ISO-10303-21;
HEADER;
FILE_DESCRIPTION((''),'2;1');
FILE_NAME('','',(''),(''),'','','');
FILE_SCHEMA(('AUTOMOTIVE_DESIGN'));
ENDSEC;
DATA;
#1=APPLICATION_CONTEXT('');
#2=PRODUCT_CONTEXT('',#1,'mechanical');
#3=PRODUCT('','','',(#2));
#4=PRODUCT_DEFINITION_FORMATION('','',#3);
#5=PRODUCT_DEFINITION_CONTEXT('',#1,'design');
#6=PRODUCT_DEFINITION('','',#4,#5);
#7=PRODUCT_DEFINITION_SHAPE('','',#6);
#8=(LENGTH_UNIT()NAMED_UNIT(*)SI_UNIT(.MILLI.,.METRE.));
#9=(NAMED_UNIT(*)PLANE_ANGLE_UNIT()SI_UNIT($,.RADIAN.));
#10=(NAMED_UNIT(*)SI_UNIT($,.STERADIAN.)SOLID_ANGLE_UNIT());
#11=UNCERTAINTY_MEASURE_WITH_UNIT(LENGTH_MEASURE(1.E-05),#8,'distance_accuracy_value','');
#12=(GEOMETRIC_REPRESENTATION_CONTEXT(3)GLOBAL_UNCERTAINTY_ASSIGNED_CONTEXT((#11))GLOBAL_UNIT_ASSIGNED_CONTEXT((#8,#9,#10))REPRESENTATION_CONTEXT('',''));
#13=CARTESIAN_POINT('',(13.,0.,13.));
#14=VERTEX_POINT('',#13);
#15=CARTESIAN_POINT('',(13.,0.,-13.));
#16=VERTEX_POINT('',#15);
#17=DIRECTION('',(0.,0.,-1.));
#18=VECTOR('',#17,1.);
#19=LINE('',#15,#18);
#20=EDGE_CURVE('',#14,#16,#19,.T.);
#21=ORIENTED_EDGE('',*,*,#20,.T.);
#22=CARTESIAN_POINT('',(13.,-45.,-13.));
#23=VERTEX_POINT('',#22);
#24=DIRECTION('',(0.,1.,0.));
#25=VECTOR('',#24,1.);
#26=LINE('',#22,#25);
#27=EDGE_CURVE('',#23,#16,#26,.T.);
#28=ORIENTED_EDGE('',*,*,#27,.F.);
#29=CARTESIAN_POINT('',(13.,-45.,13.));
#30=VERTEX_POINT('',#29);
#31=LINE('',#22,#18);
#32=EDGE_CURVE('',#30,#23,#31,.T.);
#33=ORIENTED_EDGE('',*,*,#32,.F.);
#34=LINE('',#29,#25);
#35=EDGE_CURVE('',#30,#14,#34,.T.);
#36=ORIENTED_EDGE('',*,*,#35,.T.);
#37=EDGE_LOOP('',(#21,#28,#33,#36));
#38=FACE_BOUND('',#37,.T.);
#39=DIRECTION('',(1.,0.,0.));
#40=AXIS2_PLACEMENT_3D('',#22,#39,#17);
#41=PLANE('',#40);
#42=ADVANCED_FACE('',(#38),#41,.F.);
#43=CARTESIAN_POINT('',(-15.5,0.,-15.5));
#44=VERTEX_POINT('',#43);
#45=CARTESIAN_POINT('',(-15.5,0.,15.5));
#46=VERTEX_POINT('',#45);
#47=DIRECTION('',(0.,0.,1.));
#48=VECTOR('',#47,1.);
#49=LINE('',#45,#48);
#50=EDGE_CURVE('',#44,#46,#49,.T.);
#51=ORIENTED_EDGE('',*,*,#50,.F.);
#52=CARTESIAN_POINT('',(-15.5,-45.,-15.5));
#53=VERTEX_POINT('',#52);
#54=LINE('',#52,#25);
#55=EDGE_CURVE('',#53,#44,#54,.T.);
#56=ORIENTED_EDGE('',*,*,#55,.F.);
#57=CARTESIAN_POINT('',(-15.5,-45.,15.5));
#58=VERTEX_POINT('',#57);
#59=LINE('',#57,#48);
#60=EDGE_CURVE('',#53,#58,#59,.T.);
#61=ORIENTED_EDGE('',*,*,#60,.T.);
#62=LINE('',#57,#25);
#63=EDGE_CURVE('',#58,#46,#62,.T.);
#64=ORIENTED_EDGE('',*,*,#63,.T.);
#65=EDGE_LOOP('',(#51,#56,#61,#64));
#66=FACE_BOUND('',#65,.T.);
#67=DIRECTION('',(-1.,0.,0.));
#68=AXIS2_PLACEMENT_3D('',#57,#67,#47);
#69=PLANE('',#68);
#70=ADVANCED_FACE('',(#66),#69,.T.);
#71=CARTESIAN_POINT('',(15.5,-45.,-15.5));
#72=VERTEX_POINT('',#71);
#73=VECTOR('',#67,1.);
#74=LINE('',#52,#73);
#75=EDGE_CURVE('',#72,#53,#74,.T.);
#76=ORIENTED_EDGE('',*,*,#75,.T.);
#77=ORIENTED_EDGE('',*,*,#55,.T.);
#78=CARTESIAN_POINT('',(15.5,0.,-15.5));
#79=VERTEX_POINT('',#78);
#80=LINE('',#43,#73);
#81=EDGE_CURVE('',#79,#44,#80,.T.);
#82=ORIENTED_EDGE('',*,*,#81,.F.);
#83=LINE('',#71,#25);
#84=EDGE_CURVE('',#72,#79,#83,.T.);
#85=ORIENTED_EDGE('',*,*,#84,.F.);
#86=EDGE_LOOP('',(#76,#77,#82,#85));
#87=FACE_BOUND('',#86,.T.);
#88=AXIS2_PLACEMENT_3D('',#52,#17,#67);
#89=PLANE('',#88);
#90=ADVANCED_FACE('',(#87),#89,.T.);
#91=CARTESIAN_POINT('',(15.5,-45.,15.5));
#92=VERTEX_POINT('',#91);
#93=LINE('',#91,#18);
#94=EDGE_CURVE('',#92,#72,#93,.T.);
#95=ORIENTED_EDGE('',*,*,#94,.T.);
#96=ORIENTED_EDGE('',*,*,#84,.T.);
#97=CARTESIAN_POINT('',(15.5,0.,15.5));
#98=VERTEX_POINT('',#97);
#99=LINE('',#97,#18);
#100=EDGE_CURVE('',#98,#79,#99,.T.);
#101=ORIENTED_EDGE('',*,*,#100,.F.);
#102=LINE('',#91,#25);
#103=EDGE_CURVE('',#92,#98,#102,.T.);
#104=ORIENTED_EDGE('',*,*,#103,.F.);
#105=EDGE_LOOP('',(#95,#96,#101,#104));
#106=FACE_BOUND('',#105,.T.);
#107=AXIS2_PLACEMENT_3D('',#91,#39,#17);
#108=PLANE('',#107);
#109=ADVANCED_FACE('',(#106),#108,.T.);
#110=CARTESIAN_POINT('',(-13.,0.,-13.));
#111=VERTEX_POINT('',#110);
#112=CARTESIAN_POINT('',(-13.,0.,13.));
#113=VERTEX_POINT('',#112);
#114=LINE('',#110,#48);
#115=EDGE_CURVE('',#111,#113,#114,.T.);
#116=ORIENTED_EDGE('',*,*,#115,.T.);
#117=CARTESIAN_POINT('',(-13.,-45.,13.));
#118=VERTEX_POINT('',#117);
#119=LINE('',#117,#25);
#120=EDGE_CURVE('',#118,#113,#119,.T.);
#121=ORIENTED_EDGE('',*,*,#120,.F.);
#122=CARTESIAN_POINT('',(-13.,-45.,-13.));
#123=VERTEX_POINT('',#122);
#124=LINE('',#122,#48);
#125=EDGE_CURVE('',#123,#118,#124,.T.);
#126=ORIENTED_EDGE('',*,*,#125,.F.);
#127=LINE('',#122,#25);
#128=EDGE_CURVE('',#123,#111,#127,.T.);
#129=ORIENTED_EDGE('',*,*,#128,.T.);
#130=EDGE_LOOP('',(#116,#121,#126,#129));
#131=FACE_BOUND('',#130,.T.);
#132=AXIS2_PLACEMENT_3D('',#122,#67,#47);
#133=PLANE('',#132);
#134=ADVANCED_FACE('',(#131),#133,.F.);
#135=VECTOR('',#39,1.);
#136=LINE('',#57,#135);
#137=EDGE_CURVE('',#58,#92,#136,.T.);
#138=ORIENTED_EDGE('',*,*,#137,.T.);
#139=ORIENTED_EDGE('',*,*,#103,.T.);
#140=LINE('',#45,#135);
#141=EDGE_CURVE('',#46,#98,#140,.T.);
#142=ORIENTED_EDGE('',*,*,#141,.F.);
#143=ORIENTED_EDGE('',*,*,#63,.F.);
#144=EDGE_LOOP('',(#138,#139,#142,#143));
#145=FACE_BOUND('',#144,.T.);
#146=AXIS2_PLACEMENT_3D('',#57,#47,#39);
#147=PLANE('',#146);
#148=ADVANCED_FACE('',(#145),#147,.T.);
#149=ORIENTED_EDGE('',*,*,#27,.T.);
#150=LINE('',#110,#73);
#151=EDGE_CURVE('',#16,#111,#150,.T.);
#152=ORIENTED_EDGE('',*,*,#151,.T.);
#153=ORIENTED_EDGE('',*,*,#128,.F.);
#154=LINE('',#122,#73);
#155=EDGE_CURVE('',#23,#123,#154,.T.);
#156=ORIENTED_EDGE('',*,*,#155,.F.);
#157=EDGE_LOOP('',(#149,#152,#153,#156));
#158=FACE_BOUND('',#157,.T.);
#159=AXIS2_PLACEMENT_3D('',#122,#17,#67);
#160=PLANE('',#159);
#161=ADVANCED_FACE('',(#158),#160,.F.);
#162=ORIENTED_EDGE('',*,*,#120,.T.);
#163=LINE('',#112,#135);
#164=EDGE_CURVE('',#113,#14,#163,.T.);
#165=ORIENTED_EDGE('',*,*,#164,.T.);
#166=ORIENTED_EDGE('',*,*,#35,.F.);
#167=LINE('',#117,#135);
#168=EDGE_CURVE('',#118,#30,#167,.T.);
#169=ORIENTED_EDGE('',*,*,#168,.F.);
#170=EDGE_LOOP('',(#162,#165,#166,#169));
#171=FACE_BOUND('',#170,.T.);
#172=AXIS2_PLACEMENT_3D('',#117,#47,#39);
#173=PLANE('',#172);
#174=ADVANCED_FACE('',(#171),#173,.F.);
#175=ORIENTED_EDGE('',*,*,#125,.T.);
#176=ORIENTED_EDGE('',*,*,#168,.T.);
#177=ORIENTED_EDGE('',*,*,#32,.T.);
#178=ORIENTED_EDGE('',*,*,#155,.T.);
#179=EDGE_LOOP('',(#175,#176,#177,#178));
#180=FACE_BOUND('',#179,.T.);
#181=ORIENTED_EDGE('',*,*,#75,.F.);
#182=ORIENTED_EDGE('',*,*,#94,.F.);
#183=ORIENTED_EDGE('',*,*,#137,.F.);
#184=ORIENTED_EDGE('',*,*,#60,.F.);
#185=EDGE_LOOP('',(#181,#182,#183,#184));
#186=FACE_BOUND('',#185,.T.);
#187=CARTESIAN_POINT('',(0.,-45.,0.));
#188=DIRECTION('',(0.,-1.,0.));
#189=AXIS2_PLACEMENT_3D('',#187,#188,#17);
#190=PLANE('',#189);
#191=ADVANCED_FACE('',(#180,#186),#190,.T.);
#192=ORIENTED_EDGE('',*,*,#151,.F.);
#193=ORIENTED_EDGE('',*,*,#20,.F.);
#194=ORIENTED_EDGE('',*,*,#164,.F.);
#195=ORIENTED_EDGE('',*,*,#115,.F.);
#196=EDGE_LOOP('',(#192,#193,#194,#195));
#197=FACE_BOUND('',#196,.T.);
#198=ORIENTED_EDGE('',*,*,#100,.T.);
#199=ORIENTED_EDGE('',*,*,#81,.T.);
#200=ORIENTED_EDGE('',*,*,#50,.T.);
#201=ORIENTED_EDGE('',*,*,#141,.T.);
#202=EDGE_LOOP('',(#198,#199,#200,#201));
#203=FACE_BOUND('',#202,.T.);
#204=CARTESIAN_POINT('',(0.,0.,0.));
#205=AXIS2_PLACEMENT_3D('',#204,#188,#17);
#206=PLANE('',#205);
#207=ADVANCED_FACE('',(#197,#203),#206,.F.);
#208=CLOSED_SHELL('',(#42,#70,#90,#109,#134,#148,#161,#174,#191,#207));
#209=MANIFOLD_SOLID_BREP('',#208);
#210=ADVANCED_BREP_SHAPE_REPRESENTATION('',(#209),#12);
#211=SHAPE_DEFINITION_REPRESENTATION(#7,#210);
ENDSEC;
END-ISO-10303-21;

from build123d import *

# Parameters (mm, degrees)
SKETCH1_W           = 31
SKETCH1_H           = 31
SKETCH1_W_2         = 26
SKETCH1_H_2         = 26
BOSS_EXTRUDE1_DEPTH = 45


with BuildPart() as part:
    # Sketch1 → Boss-Extrude1 (new body)
    with BuildSketch(Plane(origin=(0, 0, 0), x_dir=(1, 0, 0), z_dir=(0, 1, 0))):
        Rectangle(SKETCH1_W, SKETCH1_H)
        Rectangle(SKETCH1_W_2, SKETCH1_H_2, mode=Mode.SUBTRACT)
    extrude(amount=-BOSS_EXTRUDE1_DEPTH)


solid = part.part
